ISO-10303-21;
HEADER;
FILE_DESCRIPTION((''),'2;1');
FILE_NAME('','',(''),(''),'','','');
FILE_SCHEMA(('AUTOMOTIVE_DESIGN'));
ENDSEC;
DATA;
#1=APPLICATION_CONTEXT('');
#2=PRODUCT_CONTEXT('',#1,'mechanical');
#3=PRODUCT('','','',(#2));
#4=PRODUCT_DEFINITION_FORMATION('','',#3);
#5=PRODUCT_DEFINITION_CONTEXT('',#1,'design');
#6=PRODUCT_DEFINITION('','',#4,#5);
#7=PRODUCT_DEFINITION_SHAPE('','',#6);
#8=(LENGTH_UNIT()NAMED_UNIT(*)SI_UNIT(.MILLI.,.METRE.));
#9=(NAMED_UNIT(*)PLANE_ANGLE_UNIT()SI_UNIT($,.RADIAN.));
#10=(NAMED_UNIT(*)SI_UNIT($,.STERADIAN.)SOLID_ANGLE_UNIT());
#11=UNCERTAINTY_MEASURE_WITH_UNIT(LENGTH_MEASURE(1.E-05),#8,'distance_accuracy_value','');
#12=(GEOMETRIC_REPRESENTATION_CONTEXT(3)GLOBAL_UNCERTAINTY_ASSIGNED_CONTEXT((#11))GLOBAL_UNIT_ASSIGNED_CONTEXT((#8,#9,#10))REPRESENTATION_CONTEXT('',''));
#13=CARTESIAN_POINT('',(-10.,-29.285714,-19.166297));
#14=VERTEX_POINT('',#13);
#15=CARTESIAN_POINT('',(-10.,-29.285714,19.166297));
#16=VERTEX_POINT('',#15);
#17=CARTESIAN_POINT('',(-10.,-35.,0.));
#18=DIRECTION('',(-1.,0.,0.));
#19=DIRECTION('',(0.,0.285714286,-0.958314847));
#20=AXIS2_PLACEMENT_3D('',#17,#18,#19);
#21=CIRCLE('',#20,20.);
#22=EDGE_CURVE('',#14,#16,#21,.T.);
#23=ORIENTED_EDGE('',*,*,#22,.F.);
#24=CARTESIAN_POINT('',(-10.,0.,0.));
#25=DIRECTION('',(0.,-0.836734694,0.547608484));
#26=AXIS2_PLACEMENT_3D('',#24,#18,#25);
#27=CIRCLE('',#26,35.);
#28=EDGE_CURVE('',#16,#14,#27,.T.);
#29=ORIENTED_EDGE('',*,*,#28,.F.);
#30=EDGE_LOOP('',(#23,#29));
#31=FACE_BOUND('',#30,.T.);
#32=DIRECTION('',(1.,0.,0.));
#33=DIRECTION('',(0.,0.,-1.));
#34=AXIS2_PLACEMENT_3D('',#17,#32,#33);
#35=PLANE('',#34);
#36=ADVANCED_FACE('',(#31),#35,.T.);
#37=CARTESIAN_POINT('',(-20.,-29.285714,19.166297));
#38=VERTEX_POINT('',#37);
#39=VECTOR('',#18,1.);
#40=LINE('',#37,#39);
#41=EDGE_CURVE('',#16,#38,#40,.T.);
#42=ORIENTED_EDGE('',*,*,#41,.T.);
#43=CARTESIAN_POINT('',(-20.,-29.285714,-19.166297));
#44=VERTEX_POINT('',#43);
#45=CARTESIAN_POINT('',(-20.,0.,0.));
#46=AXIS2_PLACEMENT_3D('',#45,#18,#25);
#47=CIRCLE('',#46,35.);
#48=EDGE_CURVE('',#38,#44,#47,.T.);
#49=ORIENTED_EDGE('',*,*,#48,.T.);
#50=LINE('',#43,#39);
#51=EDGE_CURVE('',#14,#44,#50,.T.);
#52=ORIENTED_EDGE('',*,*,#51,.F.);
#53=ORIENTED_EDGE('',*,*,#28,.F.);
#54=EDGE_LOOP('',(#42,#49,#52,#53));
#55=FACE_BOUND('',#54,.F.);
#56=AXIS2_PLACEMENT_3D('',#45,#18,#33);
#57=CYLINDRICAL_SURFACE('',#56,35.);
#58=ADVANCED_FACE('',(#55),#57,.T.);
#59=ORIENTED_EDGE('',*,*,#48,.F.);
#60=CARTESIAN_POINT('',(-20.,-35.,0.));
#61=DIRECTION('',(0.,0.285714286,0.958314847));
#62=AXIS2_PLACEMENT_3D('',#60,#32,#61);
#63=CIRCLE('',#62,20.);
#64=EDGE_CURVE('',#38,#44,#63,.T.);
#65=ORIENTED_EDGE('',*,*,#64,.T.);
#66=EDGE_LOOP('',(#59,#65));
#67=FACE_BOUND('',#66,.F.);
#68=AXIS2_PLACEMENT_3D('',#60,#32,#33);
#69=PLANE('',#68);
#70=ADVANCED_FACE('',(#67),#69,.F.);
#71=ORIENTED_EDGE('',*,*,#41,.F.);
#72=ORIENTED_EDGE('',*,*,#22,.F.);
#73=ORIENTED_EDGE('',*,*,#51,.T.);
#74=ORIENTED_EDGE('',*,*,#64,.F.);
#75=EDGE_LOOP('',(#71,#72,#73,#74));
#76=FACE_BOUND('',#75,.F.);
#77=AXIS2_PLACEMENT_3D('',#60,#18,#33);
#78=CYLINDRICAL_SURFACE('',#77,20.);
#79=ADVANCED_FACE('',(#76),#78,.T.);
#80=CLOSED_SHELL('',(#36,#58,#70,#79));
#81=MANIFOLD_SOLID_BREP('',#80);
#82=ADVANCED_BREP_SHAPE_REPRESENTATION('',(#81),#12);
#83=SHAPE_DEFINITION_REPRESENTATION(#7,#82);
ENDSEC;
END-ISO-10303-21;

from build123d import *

# Parameters (mm, degrees)
CYLINDER008_R     = 20
CYLINDER008_DEPTH = 10
CYLINDER009_R     = 35
CYLINDER009_DEPTH = 10


with BuildPart() as cylinder008:
    # Cylinder008 → Cylinder008 (new body)
    with BuildSketch(Plane(origin=(-20, -35, 0), x_dir=(0, 0, -1), z_dir=(1, 0, 0))):
        Circle(CYLINDER008_R)
    extrude(amount=CYLINDER008_DEPTH)


with BuildPart() as fusion003:
    # Cylinder009 → Cylinder009 (new body)
    with BuildSketch(Plane(origin=(-20, 0, 0), x_dir=(0, 0, -1), z_dir=(1, 0, 0))):
        Circle(CYLINDER009_R)
    extrude(amount=CYLINDER009_DEPTH)

    # Fusion003: union Cylinder008
    add(cylinder008.part)


solid = fusion003.part
